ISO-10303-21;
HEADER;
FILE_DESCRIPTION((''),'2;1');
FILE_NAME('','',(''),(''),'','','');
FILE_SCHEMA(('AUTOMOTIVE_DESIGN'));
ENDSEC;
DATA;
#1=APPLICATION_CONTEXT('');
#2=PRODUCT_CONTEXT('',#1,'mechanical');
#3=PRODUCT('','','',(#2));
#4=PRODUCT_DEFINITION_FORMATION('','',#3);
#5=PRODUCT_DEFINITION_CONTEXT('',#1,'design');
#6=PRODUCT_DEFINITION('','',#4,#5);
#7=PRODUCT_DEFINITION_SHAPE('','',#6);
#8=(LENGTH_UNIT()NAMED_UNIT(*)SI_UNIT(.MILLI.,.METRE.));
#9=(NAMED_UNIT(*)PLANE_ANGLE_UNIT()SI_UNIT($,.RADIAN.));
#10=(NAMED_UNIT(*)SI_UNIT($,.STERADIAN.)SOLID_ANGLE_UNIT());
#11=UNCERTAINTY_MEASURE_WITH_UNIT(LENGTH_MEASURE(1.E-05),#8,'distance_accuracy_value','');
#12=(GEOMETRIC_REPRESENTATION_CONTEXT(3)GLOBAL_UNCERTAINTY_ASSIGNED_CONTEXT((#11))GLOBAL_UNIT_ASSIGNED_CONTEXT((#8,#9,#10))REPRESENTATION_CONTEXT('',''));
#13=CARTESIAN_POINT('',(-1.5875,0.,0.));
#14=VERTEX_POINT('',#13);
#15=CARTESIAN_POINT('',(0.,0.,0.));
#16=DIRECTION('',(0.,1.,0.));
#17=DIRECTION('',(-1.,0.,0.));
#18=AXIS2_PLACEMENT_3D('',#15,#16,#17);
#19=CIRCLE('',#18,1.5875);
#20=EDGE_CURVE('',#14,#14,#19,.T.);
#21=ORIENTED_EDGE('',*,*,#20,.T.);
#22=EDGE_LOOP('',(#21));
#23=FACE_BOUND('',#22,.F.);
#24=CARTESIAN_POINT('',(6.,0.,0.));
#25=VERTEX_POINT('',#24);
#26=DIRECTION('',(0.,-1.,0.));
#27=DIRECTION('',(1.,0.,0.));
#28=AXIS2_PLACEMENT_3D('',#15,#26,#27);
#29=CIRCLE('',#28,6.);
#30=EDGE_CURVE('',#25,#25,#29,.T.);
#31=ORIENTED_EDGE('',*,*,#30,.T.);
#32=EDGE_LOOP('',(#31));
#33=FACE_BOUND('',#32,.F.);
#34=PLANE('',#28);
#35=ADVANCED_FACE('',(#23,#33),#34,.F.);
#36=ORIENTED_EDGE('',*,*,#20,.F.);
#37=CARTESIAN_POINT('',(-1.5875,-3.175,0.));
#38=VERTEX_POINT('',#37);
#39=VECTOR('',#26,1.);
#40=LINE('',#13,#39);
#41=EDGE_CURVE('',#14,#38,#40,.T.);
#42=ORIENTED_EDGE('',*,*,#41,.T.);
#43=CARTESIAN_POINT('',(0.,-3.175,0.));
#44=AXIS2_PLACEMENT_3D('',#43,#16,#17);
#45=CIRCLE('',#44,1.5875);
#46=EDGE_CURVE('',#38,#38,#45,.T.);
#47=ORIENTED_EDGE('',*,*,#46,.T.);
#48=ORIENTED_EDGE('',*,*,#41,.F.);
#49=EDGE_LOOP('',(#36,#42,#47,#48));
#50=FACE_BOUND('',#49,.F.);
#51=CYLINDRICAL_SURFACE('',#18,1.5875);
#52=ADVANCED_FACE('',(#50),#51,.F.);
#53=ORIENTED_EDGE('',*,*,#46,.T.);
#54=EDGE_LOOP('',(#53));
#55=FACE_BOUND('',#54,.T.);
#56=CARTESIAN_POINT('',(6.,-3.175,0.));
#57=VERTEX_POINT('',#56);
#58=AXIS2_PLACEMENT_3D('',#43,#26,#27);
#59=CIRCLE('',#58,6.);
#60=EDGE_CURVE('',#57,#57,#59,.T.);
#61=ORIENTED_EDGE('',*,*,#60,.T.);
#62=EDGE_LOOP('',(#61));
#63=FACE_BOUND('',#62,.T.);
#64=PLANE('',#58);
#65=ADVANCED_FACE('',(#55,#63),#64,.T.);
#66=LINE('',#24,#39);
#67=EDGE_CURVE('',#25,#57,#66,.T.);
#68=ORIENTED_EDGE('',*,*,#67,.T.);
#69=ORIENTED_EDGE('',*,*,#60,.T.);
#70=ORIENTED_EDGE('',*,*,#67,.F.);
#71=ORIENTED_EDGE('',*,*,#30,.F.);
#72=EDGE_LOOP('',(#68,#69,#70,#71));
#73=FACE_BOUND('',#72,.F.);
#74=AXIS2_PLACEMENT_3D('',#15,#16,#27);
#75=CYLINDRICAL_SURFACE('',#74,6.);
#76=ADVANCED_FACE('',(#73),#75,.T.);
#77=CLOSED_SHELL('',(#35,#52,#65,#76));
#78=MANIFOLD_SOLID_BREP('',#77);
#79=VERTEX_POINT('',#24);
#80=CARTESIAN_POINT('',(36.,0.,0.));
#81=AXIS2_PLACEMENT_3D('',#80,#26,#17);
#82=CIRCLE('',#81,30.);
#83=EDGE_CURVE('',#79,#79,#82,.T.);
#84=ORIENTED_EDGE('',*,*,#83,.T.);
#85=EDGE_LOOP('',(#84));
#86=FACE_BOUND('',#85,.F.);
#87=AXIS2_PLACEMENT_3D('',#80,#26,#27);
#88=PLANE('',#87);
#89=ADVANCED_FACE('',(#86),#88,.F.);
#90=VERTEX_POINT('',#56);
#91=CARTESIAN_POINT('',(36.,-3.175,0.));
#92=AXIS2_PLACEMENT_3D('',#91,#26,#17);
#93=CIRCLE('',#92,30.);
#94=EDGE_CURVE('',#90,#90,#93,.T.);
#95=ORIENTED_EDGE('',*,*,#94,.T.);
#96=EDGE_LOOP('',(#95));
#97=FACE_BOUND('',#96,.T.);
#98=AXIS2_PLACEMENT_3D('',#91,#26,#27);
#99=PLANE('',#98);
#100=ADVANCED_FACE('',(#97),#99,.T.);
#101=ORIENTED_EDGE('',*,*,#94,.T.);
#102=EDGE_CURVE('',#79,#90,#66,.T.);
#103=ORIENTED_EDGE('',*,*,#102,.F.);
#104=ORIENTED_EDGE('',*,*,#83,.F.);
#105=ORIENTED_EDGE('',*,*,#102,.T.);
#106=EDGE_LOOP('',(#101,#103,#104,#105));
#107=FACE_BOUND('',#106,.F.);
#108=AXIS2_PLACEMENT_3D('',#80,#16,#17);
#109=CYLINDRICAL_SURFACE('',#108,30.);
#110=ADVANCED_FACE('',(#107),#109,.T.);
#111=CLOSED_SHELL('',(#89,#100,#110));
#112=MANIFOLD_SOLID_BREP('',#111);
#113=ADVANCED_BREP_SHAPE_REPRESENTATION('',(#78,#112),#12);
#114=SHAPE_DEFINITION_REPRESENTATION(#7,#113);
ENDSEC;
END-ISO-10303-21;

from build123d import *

# Parameters (mm, degrees)
F0_R     = 6
F1_DEPTH = 3.175
F2_R     = 1.5875
F3_DEPTH = 25.4


with BuildPart() as f1:
    # F0 (on Front) → F1 (new body)
    with BuildSketch(Plane.XZ):
        with BuildLine():
            ThreePointArc((66, 0), (36, 30), (6, 0))
            ThreePointArc((6, 0), (36, -30), (66, 0))
        make_face()
        with BuildLine():
            ThreePointArc((37.5875, 0), (36, -1.5875), (34.4125, 0))
            ThreePointArc((34.4125, 0), (36, 1.5875), (37.5875, 0))
        make_face(mode=Mode.SUBTRACT)
        with BuildLine():
            ThreePointArc((37.5875, 0), (36, 1.5875), (34.4125, 0))
            ThreePointArc((34.4125, 0), (36, -1.5875), (37.5875, 0))
        make_face()
        Circle(F0_R)
    extrude(amount=F1_DEPTH)

    # F2 (on face) → F3 (cut)
    with BuildSketch(Plane(origin=(0, 0, 0), x_dir=(-1, 0, 0), z_dir=(0, 1, 0))):
        Circle(F2_R)
    extrude(amount=-F3_DEPTH, mode=Mode.SUBTRACT)


solid = f1.part
